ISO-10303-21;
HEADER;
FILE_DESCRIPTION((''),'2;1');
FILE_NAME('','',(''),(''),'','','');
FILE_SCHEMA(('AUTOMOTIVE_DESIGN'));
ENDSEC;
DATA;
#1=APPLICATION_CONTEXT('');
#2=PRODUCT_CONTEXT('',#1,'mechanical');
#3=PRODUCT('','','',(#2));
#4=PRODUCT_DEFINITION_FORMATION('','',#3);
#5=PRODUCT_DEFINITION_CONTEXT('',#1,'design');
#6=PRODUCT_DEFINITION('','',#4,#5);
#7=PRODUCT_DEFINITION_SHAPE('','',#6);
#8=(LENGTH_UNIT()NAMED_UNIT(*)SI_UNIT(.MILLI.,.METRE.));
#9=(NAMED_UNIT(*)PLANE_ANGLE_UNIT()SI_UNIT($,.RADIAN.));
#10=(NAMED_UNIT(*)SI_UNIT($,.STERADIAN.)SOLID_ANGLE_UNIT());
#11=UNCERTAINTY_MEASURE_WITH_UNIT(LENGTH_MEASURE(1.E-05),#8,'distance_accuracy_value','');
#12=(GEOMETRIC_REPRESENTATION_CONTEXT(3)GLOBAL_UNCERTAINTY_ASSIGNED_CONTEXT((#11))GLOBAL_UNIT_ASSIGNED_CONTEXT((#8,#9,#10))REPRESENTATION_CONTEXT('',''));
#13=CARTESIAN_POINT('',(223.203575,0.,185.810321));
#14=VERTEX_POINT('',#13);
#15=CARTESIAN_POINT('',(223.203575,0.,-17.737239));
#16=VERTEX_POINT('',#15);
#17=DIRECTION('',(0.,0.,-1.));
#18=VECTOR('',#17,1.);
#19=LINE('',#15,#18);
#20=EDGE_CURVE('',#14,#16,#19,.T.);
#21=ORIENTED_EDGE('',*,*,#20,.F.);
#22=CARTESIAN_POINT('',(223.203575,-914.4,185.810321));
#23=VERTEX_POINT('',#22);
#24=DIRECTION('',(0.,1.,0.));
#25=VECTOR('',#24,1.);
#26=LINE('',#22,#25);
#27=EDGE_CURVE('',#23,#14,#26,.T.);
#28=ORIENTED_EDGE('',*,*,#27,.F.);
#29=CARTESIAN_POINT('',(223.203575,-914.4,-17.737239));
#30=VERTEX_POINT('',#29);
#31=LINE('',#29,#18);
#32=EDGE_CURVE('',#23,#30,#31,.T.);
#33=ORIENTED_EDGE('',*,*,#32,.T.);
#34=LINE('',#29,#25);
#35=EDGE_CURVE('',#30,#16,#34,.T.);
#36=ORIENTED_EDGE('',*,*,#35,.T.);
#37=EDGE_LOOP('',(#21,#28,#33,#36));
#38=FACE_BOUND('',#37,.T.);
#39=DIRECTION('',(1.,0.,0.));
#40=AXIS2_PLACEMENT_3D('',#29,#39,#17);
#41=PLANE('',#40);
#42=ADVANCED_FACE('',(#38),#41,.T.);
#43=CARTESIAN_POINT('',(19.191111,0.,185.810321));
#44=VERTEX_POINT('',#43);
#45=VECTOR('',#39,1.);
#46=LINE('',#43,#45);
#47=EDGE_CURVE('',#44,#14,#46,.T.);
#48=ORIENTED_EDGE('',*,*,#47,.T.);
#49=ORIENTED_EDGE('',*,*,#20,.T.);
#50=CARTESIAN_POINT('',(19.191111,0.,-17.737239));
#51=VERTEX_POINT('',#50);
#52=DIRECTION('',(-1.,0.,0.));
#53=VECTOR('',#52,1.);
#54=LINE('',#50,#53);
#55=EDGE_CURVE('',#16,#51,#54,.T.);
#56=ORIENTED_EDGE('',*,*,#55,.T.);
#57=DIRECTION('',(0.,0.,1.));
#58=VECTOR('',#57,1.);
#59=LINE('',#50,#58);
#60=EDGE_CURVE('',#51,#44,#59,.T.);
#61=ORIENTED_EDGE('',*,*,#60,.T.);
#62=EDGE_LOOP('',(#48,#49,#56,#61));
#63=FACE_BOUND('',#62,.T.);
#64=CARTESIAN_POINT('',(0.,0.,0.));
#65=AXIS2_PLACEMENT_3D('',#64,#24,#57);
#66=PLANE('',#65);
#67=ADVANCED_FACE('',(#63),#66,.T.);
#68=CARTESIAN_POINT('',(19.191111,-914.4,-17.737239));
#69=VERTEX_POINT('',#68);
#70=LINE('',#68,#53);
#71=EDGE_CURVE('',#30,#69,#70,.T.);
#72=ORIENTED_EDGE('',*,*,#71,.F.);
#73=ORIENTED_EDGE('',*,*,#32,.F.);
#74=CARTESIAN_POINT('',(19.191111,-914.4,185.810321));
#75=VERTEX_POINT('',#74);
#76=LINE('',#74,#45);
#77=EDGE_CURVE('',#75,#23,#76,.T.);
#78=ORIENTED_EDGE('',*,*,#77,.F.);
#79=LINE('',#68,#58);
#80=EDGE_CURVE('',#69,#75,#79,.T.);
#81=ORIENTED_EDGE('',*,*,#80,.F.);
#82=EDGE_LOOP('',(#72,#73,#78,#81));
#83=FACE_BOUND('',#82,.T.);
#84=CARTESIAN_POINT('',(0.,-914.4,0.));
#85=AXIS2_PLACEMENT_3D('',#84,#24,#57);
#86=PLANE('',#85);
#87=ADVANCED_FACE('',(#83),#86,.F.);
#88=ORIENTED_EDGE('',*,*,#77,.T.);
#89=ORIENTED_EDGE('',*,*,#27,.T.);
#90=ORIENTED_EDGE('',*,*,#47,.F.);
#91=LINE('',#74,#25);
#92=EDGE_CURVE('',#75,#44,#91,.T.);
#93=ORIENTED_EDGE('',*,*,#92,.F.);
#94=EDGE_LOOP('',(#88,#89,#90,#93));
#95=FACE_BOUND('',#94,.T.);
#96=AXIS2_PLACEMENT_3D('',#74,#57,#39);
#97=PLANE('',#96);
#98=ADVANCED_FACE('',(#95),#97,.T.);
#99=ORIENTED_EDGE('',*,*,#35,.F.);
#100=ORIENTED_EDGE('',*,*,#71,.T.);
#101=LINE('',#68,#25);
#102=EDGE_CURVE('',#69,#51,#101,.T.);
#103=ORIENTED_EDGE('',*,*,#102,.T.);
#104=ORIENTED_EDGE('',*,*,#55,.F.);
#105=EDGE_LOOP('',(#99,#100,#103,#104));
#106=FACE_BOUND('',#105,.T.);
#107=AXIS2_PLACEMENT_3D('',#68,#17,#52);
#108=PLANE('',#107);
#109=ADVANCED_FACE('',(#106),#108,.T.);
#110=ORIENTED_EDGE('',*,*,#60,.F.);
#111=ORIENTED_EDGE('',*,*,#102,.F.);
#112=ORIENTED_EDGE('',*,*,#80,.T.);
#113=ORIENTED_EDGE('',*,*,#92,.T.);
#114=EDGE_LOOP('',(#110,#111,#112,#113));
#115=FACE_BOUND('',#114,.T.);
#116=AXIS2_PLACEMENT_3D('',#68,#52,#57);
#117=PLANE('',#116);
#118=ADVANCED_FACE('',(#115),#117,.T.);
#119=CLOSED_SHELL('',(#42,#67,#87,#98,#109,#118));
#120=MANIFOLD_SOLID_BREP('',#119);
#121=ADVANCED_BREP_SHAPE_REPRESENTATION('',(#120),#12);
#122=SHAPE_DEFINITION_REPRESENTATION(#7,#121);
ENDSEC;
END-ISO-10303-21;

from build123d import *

# Parameters (mm, degrees)
SKETCH2_W           = 204.012463483
SKETCH2_H           = 203.54756047
BOSS_EXTRUDE1_DEPTH = 914.4


with BuildPart() as part:
    # Sketch2 → Boss-Extrude1 (new body)
    with BuildSketch(Plane(origin=(0, 0, 0), x_dir=(1, 0, 0), z_dir=(0, 1, 0))):
        with Locations((121.197342853, -84.036541178)):
            Rectangle(SKETCH2_W, SKETCH2_H)
    extrude(amount=-BOSS_EXTRUDE1_DEPTH)


solid = part.part
